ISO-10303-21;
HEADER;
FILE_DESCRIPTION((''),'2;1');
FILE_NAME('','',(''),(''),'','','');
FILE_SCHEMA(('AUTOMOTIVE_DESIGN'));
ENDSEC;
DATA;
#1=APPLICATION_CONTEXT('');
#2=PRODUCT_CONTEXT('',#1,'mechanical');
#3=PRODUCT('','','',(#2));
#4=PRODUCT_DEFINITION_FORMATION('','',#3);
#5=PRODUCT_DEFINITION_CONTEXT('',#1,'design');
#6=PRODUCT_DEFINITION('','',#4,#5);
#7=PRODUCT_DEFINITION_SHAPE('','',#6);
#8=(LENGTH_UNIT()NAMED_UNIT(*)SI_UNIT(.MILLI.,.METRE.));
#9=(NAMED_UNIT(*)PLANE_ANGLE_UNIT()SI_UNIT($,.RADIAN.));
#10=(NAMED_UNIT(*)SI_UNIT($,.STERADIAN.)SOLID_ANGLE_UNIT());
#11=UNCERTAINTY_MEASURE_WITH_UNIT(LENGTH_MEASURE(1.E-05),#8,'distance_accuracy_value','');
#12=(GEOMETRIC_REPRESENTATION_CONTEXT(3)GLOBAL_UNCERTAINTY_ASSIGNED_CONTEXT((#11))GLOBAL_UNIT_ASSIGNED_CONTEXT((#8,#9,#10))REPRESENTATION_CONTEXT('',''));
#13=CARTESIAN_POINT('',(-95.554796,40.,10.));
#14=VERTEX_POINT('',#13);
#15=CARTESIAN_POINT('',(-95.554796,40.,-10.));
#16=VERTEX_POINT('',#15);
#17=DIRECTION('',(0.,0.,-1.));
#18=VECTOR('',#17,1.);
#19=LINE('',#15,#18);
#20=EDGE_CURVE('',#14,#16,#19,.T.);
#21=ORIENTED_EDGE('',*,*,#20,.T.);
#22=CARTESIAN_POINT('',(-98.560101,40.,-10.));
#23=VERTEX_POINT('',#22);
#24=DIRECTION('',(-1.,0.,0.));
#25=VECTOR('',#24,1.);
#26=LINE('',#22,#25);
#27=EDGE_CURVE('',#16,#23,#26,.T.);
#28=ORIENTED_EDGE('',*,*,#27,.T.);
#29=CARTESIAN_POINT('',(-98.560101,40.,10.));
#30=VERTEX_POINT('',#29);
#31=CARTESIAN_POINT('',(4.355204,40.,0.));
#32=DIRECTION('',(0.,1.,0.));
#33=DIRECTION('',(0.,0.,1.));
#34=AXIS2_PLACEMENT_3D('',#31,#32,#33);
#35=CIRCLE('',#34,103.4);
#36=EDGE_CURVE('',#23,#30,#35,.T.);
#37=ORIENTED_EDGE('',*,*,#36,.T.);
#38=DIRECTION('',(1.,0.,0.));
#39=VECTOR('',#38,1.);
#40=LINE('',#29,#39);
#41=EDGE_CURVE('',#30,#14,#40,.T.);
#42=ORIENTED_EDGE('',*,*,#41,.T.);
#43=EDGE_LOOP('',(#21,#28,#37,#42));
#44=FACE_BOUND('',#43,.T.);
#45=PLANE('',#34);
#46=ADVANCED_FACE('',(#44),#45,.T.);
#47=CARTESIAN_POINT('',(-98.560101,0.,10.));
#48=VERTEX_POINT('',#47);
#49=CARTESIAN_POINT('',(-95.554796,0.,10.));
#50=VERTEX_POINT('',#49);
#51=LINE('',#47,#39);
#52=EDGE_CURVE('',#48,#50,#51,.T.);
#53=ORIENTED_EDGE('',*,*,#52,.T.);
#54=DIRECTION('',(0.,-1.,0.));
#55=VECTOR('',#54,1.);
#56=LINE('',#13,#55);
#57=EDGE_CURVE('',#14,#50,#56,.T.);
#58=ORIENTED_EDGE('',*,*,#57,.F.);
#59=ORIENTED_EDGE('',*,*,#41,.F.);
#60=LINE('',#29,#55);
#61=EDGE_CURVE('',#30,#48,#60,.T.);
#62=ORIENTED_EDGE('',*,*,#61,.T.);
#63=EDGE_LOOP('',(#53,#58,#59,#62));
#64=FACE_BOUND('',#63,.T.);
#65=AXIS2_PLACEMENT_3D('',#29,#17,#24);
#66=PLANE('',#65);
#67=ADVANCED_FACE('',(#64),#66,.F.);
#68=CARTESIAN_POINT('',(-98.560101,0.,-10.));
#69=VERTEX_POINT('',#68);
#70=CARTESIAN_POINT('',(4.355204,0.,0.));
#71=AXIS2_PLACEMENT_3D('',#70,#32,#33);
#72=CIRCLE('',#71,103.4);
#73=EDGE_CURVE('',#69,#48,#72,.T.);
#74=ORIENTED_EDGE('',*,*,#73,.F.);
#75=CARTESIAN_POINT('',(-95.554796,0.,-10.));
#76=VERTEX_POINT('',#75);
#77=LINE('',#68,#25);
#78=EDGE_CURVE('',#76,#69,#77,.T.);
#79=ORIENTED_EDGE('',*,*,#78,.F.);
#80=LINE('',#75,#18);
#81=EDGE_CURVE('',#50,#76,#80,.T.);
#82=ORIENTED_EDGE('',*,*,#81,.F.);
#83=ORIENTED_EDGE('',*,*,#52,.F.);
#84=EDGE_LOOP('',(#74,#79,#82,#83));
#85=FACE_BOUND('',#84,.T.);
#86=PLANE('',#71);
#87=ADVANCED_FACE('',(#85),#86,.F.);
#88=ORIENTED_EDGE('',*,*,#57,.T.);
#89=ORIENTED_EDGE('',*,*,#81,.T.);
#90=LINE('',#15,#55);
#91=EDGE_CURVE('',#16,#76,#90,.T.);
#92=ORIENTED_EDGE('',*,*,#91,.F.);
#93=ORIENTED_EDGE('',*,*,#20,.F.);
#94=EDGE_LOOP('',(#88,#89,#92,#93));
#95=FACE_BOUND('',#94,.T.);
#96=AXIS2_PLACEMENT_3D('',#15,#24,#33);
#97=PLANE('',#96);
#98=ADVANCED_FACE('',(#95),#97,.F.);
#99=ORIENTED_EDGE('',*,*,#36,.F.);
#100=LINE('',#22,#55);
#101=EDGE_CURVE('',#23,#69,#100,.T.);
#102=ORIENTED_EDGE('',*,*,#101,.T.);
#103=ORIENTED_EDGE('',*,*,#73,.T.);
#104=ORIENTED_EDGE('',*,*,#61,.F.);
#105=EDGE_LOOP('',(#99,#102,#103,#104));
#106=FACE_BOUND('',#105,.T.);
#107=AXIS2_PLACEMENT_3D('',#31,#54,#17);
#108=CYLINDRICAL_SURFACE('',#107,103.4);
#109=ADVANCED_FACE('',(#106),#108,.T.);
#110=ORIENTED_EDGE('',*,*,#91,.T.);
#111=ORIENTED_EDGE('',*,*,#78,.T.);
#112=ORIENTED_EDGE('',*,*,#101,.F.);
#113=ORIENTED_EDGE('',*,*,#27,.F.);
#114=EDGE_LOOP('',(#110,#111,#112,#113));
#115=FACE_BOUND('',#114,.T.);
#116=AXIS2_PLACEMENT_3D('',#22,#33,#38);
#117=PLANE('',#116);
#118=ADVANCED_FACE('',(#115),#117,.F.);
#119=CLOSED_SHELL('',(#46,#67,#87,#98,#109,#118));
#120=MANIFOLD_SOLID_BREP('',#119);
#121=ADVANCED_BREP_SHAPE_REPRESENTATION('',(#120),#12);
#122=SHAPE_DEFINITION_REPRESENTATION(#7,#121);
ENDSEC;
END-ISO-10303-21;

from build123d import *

# Parameters (mm, degrees)
EXTRUDE_1_DEPTH = 40


with BuildPart() as part:
    # 草图1 → 凸台-拉伸1 (new body)
    with BuildSketch(Plane(origin=(0, 0, 0), x_dir=(1, 0, 0), z_dir=(0, 1, 0))):
        with BuildLine():
            Line((-98.560100649, 10), (-95.554795665, 10))
            Line((-95.554795665, 10), (-95.554795665, -10))
            Line((-95.554795665, -10), (-98.560100649, -10))
            ThreePointArc((-98.560100649, -10), (-99.044795665, 0), (-98.560100649, 10))
        make_face()
    extrude(amount=EXTRUDE_1_DEPTH)


solid = part.part
